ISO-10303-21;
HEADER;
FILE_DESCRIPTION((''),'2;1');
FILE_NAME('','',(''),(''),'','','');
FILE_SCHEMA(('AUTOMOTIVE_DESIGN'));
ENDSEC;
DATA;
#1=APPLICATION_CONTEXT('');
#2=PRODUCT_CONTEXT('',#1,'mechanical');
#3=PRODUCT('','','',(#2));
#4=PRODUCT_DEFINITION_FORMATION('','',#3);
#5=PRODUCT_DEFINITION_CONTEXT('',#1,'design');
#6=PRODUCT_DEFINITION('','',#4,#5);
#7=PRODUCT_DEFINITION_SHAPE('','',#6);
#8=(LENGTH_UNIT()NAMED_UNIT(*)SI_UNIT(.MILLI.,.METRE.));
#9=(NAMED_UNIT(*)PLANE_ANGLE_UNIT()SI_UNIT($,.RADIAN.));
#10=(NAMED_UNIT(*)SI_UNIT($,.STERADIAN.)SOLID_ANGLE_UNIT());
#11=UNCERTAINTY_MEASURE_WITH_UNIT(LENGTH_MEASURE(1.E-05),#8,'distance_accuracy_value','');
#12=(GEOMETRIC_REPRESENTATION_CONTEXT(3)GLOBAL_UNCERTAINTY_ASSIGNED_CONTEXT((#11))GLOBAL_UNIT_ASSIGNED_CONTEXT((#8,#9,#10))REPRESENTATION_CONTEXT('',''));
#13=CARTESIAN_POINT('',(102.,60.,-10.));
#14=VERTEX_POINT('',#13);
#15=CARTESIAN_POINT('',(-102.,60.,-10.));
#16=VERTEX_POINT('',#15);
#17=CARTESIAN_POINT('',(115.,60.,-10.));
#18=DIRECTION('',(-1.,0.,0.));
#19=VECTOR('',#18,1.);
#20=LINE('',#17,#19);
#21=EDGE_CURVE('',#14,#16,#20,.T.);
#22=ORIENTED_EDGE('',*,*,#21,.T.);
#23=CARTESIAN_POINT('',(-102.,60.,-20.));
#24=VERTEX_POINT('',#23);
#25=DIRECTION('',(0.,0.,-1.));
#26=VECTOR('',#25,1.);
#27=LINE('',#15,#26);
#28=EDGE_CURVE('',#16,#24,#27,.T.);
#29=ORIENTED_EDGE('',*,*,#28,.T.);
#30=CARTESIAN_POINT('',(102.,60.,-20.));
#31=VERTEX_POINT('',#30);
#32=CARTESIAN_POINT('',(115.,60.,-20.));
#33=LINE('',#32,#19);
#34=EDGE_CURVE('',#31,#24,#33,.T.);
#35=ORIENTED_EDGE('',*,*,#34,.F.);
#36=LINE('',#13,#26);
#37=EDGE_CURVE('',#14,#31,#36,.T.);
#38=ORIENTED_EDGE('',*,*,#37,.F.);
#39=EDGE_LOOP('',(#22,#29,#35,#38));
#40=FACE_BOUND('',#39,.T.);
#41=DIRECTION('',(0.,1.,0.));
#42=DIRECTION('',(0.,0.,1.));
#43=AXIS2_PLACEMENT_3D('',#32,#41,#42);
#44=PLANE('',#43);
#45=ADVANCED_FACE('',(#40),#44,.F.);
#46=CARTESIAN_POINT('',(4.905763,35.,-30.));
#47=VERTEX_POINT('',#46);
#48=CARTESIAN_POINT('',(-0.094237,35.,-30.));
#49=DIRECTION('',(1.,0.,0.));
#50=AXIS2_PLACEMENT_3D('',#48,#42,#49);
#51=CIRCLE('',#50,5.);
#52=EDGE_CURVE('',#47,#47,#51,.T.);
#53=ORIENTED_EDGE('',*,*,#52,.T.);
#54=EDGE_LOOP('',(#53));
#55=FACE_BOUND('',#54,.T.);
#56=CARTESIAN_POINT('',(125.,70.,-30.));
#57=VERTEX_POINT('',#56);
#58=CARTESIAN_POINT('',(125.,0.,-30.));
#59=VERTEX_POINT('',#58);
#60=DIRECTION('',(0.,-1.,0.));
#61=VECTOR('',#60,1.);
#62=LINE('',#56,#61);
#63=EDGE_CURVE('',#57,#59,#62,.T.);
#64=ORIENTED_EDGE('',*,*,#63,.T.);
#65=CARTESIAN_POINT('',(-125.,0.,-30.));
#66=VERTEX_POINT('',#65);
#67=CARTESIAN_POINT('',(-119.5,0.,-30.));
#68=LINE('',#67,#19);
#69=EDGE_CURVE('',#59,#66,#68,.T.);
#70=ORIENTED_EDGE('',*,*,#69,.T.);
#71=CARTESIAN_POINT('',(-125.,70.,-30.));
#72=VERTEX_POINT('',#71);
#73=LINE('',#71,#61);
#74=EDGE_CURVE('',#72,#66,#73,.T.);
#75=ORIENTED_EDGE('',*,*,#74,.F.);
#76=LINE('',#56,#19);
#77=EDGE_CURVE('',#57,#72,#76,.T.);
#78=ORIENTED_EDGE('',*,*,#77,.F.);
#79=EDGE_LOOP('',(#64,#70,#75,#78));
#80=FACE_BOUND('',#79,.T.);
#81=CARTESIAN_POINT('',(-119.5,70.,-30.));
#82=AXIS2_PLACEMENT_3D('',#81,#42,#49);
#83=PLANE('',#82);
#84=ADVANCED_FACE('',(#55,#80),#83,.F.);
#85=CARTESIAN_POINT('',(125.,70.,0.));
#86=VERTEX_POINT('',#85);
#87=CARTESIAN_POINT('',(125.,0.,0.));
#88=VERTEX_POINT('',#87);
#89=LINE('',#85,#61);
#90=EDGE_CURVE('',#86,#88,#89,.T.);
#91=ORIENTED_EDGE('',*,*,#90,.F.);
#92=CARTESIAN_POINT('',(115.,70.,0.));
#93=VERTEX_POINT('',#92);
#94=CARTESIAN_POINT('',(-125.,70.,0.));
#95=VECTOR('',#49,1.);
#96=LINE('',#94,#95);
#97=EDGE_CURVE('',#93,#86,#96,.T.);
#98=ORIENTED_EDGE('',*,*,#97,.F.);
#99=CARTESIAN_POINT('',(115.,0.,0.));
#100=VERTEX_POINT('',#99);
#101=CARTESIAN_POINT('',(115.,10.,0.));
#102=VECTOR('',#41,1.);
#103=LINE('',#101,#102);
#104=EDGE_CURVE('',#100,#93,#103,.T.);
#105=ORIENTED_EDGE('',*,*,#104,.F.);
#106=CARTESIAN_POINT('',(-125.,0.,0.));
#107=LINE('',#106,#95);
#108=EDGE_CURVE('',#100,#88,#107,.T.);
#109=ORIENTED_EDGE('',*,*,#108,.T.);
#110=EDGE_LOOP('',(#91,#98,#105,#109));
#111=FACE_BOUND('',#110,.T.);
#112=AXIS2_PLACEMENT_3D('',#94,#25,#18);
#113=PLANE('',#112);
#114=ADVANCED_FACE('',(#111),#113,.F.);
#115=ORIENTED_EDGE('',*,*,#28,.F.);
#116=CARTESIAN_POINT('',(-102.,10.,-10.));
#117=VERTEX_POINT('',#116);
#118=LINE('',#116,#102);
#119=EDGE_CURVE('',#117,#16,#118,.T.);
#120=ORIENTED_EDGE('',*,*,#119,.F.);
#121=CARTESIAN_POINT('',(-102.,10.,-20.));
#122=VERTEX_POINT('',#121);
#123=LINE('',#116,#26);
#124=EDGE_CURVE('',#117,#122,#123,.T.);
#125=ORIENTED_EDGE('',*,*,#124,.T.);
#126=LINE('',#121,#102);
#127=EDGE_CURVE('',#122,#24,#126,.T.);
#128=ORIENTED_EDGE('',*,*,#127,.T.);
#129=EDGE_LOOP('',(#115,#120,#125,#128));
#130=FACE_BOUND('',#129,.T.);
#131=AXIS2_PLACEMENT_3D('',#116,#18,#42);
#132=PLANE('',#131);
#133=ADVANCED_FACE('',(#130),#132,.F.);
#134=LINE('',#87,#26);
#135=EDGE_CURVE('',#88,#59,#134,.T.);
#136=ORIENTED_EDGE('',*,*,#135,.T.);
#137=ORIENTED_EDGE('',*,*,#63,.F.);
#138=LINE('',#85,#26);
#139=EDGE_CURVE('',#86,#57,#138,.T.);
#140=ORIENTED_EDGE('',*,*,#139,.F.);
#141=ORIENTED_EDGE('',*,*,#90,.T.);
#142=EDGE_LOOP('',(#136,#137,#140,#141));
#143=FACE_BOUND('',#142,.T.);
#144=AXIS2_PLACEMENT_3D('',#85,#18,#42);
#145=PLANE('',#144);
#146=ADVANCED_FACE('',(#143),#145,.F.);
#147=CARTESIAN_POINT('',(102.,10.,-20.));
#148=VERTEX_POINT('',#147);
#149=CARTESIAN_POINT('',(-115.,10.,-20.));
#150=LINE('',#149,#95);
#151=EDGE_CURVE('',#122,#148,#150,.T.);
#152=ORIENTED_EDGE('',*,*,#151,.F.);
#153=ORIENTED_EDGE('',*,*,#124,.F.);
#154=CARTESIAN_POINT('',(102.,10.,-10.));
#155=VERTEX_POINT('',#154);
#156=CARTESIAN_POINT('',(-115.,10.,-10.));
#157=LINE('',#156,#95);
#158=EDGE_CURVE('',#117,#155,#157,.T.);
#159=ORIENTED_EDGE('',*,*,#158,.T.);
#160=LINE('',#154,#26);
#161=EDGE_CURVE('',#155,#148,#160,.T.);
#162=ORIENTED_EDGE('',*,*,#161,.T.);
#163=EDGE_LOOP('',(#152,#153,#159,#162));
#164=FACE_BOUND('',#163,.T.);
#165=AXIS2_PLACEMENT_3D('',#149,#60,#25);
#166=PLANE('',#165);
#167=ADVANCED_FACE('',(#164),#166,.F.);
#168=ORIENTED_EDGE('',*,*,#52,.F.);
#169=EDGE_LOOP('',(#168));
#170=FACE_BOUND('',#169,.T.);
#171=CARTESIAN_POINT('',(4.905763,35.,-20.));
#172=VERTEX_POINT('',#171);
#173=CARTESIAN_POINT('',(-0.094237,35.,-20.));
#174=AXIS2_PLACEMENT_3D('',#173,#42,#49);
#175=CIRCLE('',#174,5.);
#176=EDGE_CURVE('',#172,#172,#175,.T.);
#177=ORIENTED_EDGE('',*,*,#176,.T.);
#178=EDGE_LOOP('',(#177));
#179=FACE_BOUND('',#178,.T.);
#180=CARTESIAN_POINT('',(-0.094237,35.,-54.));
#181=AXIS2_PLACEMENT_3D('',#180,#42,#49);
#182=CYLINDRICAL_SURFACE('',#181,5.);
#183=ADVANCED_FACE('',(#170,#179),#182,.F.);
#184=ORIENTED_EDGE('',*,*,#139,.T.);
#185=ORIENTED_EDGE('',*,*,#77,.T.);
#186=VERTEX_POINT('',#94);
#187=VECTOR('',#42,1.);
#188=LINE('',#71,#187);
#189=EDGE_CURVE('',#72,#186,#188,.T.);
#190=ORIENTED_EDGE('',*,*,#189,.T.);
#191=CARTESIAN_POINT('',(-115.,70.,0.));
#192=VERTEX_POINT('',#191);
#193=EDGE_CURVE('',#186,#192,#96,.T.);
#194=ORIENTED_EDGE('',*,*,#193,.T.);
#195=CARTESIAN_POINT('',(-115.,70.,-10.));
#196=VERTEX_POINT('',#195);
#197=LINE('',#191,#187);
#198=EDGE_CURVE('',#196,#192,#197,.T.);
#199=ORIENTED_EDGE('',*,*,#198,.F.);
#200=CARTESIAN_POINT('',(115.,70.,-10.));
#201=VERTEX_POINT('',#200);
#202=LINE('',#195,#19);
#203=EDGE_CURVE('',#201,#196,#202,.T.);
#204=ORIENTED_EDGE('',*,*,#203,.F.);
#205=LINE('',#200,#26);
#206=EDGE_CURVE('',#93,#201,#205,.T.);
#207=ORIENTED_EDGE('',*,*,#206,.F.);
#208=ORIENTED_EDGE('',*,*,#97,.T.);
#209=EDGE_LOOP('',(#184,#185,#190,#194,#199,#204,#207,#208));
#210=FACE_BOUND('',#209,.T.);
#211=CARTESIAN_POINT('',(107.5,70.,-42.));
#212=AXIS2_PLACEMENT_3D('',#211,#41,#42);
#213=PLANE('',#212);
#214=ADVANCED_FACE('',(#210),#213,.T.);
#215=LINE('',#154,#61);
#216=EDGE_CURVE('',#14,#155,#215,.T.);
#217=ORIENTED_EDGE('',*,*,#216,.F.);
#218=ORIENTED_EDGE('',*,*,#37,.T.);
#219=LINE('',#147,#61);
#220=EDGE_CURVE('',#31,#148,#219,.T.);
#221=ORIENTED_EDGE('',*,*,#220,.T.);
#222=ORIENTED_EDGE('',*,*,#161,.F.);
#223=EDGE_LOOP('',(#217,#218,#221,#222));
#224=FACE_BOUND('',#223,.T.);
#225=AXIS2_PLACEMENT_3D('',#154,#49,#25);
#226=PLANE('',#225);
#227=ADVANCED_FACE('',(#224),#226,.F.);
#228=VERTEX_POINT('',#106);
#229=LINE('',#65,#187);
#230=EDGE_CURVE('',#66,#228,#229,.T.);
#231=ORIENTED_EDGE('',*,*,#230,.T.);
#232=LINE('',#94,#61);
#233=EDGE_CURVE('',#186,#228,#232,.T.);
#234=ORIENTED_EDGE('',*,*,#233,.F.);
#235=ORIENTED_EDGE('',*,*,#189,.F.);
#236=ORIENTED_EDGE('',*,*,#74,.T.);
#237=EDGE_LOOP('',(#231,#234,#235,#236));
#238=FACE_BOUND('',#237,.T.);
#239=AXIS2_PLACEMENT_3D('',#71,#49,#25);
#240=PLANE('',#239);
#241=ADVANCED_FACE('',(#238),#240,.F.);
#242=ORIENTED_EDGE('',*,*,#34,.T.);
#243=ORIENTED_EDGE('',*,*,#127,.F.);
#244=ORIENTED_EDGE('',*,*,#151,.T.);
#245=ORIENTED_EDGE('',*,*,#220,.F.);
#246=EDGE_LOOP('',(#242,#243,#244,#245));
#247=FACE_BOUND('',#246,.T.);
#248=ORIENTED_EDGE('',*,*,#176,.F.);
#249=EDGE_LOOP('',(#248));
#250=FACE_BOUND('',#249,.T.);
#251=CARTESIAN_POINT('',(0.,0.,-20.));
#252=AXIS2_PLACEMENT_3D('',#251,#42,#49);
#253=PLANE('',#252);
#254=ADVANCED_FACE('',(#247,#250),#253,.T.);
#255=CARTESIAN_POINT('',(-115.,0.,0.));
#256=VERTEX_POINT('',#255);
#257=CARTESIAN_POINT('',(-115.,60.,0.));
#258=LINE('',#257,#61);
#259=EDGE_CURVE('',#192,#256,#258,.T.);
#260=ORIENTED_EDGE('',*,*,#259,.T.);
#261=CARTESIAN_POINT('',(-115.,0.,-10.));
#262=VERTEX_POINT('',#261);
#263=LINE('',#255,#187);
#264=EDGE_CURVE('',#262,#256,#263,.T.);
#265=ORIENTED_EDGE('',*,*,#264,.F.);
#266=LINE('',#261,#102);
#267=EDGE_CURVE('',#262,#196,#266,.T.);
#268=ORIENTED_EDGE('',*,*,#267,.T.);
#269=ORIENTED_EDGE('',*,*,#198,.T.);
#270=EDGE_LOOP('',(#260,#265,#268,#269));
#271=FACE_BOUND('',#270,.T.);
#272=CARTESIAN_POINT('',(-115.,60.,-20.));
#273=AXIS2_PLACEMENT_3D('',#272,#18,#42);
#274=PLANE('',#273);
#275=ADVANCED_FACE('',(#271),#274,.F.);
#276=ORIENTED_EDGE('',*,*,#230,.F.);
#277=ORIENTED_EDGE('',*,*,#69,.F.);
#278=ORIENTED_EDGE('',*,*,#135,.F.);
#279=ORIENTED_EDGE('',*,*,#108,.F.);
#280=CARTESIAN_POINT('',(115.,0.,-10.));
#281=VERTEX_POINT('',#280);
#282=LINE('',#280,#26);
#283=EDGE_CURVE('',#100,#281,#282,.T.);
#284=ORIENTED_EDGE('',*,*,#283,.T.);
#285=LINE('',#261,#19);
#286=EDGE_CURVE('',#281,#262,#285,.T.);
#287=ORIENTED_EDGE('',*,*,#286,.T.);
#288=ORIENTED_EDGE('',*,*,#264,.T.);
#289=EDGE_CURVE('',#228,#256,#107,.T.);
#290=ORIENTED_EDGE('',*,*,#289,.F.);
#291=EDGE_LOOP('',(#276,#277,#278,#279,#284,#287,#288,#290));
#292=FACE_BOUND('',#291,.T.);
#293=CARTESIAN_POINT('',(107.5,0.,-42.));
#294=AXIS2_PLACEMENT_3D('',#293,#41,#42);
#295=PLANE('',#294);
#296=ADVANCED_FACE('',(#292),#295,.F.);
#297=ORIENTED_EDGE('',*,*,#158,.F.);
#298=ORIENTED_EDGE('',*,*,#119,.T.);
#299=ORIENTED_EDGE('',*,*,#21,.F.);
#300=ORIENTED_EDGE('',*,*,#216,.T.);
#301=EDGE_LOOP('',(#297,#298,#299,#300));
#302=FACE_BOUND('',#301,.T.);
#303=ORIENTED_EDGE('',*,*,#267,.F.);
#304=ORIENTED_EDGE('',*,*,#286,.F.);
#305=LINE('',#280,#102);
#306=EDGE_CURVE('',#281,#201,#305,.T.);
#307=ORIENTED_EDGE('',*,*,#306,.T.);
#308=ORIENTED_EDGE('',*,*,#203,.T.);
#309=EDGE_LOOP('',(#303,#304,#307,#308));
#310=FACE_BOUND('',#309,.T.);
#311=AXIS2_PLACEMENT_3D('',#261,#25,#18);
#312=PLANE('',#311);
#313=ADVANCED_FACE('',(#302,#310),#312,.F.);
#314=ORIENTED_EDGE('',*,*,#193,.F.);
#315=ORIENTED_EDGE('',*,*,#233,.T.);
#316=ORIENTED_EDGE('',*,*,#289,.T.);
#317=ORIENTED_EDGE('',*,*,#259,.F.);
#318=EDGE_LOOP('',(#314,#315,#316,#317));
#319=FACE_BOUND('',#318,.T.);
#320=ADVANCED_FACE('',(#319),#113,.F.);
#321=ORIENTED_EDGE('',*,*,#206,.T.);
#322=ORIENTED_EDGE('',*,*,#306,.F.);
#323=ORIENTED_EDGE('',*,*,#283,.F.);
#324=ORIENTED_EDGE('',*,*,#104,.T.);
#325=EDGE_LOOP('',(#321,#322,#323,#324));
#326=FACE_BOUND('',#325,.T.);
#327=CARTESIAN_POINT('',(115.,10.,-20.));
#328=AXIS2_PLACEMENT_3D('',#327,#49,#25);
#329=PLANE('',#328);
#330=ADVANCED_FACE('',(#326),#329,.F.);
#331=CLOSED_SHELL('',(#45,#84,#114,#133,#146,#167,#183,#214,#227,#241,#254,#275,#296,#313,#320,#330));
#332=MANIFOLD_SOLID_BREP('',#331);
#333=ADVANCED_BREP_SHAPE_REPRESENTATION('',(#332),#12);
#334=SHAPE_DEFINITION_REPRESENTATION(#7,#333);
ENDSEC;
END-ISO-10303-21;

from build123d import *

# Parameters (mm, degrees)
SKETCH1_R           = 5
BOSS_EXTRUDE1_DEPTH = 70
SKETCH3_W           = 50
SKETCH3_H           = 30
CUT_EXTRUDE1_DEPTH  = 266.171642526
SKETCH6_W           = 230
SKETCH6_H           = 50
CUT_EXTRUDE2_DEPTH  = 20
SKETCH7_R           = 5
CUT_EXTRUDE3_DEPTH  = 148.244694302
SKETCH8_W           = 34.830665203
SKETCH8_H           = 70
CUT_EXTRUDE4_DEPTH  = 266.171642526
SKETCH9_W           = 230
SKETCH9_H           = 10
CUT_EXTRUDE5_DEPTH  = 147.372811683
SKETCH10_W          = 13
SKETCH10_H          = 50
BOSS_EXTRUDE4_DEPTH = 10


with BuildPart() as part:
    # Sketch1 → Boss-Extrude1 (new body)
    with BuildSketch(Plane(origin=(0, 0, 0), x_dir=(1, 0, 0), z_dir=(0, 1, 0))):
        with BuildLine():
            Line((-125, 0), (125, 0))
            Line((125, 0), (125, 30))
            Line((125, 30), (119.5, 30))
            Line((119.5, 30), (119.5, 42))
            ThreePointArc((119.5, 42), (107.5, 54), (95.5, 42))
            Line((95.5, 42), (95.5, 30))
            Line((95.5, 30), (-95.5, 30))
            Line((-95.5, 30), (-95.5, 42))
            ThreePointArc((-95.5, 42), (-107.5, 54), (-119.5, 42))
            Line((-119.5, 42), (-119.5, 30))
            Line((-119.5, 30), (-125, 30))
            Line((-125, 30), (-125, 0))
        make_face()
        with Locations(Location((107.5, 42, 0), (0, 0, 270))):
            Circle(SKETCH1_R, mode=Mode.SUBTRACT)
        with Locations(Location((-107.5, 42, 0), (0, 0, 270))):
            Circle(SKETCH1_R, mode=Mode.SUBTRACT)
    extrude(amount=BOSS_EXTRUDE1_DEPTH)

    # Sketch3 → Cut-Extrude1 (cut, through all)
    with BuildSketch(Plane.ZY.offset(125)):
        with Locations((-55, 15)):
            Rectangle(SKETCH3_W, SKETCH3_H)
    extrude(amount=-CUT_EXTRUDE1_DEPTH, mode=Mode.SUBTRACT)

    # Sketch6 → Cut-Extrude2 (cut)
    with BuildSketch(Plane.XY):
        with Locations((0, 35)):
            Rectangle(SKETCH6_W, SKETCH6_H)
    extrude(amount=-CUT_EXTRUDE2_DEPTH, mode=Mode.SUBTRACT)

    # Sketch7 → Cut-Extrude3 (cut, through all)
    with BuildSketch(Plane.XY.offset(-20)):
        with Locations((-0.094237072, 35)):
            Circle(SKETCH7_R)
    extrude(amount=-CUT_EXTRUDE3_DEPTH, mode=Mode.SUBTRACT)

    # Sketch8 → Cut-Extrude4 (cut, through all)
    with BuildSketch(Plane(origin=(125, 0, 0), x_dir=(0, 0, -1), z_dir=(1, 0, 0))):
        with Locations((47.415332602, 35)):
            Rectangle(SKETCH8_W, SKETCH8_H)
    extrude(amount=-CUT_EXTRUDE4_DEPTH, mode=Mode.SUBTRACT)

    # Sketch9 → Cut-Extrude5 (cut, through all)
    with BuildSketch(Plane(origin=(0, 70, 0), x_dir=(1, 0, 0), z_dir=(0, 1, 0))):
        with Locations((0, 5)):
            Rectangle(SKETCH9_W, SKETCH9_H)
    extrude(amount=-CUT_EXTRUDE5_DEPTH, mode=Mode.SUBTRACT)

    # Sketch10 → Boss-Extrude4 (add)
    with BuildSketch(Plane.XY.offset(-20)):
        with Locations((-108.5, 35)):
            Rectangle(SKETCH10_W, SKETCH10_H)
        with Locations((108.5, 35)):
            Rectangle(SKETCH10_W, SKETCH10_H)
    extrude(amount=BOSS_EXTRUDE4_DEPTH)


solid = part.part
